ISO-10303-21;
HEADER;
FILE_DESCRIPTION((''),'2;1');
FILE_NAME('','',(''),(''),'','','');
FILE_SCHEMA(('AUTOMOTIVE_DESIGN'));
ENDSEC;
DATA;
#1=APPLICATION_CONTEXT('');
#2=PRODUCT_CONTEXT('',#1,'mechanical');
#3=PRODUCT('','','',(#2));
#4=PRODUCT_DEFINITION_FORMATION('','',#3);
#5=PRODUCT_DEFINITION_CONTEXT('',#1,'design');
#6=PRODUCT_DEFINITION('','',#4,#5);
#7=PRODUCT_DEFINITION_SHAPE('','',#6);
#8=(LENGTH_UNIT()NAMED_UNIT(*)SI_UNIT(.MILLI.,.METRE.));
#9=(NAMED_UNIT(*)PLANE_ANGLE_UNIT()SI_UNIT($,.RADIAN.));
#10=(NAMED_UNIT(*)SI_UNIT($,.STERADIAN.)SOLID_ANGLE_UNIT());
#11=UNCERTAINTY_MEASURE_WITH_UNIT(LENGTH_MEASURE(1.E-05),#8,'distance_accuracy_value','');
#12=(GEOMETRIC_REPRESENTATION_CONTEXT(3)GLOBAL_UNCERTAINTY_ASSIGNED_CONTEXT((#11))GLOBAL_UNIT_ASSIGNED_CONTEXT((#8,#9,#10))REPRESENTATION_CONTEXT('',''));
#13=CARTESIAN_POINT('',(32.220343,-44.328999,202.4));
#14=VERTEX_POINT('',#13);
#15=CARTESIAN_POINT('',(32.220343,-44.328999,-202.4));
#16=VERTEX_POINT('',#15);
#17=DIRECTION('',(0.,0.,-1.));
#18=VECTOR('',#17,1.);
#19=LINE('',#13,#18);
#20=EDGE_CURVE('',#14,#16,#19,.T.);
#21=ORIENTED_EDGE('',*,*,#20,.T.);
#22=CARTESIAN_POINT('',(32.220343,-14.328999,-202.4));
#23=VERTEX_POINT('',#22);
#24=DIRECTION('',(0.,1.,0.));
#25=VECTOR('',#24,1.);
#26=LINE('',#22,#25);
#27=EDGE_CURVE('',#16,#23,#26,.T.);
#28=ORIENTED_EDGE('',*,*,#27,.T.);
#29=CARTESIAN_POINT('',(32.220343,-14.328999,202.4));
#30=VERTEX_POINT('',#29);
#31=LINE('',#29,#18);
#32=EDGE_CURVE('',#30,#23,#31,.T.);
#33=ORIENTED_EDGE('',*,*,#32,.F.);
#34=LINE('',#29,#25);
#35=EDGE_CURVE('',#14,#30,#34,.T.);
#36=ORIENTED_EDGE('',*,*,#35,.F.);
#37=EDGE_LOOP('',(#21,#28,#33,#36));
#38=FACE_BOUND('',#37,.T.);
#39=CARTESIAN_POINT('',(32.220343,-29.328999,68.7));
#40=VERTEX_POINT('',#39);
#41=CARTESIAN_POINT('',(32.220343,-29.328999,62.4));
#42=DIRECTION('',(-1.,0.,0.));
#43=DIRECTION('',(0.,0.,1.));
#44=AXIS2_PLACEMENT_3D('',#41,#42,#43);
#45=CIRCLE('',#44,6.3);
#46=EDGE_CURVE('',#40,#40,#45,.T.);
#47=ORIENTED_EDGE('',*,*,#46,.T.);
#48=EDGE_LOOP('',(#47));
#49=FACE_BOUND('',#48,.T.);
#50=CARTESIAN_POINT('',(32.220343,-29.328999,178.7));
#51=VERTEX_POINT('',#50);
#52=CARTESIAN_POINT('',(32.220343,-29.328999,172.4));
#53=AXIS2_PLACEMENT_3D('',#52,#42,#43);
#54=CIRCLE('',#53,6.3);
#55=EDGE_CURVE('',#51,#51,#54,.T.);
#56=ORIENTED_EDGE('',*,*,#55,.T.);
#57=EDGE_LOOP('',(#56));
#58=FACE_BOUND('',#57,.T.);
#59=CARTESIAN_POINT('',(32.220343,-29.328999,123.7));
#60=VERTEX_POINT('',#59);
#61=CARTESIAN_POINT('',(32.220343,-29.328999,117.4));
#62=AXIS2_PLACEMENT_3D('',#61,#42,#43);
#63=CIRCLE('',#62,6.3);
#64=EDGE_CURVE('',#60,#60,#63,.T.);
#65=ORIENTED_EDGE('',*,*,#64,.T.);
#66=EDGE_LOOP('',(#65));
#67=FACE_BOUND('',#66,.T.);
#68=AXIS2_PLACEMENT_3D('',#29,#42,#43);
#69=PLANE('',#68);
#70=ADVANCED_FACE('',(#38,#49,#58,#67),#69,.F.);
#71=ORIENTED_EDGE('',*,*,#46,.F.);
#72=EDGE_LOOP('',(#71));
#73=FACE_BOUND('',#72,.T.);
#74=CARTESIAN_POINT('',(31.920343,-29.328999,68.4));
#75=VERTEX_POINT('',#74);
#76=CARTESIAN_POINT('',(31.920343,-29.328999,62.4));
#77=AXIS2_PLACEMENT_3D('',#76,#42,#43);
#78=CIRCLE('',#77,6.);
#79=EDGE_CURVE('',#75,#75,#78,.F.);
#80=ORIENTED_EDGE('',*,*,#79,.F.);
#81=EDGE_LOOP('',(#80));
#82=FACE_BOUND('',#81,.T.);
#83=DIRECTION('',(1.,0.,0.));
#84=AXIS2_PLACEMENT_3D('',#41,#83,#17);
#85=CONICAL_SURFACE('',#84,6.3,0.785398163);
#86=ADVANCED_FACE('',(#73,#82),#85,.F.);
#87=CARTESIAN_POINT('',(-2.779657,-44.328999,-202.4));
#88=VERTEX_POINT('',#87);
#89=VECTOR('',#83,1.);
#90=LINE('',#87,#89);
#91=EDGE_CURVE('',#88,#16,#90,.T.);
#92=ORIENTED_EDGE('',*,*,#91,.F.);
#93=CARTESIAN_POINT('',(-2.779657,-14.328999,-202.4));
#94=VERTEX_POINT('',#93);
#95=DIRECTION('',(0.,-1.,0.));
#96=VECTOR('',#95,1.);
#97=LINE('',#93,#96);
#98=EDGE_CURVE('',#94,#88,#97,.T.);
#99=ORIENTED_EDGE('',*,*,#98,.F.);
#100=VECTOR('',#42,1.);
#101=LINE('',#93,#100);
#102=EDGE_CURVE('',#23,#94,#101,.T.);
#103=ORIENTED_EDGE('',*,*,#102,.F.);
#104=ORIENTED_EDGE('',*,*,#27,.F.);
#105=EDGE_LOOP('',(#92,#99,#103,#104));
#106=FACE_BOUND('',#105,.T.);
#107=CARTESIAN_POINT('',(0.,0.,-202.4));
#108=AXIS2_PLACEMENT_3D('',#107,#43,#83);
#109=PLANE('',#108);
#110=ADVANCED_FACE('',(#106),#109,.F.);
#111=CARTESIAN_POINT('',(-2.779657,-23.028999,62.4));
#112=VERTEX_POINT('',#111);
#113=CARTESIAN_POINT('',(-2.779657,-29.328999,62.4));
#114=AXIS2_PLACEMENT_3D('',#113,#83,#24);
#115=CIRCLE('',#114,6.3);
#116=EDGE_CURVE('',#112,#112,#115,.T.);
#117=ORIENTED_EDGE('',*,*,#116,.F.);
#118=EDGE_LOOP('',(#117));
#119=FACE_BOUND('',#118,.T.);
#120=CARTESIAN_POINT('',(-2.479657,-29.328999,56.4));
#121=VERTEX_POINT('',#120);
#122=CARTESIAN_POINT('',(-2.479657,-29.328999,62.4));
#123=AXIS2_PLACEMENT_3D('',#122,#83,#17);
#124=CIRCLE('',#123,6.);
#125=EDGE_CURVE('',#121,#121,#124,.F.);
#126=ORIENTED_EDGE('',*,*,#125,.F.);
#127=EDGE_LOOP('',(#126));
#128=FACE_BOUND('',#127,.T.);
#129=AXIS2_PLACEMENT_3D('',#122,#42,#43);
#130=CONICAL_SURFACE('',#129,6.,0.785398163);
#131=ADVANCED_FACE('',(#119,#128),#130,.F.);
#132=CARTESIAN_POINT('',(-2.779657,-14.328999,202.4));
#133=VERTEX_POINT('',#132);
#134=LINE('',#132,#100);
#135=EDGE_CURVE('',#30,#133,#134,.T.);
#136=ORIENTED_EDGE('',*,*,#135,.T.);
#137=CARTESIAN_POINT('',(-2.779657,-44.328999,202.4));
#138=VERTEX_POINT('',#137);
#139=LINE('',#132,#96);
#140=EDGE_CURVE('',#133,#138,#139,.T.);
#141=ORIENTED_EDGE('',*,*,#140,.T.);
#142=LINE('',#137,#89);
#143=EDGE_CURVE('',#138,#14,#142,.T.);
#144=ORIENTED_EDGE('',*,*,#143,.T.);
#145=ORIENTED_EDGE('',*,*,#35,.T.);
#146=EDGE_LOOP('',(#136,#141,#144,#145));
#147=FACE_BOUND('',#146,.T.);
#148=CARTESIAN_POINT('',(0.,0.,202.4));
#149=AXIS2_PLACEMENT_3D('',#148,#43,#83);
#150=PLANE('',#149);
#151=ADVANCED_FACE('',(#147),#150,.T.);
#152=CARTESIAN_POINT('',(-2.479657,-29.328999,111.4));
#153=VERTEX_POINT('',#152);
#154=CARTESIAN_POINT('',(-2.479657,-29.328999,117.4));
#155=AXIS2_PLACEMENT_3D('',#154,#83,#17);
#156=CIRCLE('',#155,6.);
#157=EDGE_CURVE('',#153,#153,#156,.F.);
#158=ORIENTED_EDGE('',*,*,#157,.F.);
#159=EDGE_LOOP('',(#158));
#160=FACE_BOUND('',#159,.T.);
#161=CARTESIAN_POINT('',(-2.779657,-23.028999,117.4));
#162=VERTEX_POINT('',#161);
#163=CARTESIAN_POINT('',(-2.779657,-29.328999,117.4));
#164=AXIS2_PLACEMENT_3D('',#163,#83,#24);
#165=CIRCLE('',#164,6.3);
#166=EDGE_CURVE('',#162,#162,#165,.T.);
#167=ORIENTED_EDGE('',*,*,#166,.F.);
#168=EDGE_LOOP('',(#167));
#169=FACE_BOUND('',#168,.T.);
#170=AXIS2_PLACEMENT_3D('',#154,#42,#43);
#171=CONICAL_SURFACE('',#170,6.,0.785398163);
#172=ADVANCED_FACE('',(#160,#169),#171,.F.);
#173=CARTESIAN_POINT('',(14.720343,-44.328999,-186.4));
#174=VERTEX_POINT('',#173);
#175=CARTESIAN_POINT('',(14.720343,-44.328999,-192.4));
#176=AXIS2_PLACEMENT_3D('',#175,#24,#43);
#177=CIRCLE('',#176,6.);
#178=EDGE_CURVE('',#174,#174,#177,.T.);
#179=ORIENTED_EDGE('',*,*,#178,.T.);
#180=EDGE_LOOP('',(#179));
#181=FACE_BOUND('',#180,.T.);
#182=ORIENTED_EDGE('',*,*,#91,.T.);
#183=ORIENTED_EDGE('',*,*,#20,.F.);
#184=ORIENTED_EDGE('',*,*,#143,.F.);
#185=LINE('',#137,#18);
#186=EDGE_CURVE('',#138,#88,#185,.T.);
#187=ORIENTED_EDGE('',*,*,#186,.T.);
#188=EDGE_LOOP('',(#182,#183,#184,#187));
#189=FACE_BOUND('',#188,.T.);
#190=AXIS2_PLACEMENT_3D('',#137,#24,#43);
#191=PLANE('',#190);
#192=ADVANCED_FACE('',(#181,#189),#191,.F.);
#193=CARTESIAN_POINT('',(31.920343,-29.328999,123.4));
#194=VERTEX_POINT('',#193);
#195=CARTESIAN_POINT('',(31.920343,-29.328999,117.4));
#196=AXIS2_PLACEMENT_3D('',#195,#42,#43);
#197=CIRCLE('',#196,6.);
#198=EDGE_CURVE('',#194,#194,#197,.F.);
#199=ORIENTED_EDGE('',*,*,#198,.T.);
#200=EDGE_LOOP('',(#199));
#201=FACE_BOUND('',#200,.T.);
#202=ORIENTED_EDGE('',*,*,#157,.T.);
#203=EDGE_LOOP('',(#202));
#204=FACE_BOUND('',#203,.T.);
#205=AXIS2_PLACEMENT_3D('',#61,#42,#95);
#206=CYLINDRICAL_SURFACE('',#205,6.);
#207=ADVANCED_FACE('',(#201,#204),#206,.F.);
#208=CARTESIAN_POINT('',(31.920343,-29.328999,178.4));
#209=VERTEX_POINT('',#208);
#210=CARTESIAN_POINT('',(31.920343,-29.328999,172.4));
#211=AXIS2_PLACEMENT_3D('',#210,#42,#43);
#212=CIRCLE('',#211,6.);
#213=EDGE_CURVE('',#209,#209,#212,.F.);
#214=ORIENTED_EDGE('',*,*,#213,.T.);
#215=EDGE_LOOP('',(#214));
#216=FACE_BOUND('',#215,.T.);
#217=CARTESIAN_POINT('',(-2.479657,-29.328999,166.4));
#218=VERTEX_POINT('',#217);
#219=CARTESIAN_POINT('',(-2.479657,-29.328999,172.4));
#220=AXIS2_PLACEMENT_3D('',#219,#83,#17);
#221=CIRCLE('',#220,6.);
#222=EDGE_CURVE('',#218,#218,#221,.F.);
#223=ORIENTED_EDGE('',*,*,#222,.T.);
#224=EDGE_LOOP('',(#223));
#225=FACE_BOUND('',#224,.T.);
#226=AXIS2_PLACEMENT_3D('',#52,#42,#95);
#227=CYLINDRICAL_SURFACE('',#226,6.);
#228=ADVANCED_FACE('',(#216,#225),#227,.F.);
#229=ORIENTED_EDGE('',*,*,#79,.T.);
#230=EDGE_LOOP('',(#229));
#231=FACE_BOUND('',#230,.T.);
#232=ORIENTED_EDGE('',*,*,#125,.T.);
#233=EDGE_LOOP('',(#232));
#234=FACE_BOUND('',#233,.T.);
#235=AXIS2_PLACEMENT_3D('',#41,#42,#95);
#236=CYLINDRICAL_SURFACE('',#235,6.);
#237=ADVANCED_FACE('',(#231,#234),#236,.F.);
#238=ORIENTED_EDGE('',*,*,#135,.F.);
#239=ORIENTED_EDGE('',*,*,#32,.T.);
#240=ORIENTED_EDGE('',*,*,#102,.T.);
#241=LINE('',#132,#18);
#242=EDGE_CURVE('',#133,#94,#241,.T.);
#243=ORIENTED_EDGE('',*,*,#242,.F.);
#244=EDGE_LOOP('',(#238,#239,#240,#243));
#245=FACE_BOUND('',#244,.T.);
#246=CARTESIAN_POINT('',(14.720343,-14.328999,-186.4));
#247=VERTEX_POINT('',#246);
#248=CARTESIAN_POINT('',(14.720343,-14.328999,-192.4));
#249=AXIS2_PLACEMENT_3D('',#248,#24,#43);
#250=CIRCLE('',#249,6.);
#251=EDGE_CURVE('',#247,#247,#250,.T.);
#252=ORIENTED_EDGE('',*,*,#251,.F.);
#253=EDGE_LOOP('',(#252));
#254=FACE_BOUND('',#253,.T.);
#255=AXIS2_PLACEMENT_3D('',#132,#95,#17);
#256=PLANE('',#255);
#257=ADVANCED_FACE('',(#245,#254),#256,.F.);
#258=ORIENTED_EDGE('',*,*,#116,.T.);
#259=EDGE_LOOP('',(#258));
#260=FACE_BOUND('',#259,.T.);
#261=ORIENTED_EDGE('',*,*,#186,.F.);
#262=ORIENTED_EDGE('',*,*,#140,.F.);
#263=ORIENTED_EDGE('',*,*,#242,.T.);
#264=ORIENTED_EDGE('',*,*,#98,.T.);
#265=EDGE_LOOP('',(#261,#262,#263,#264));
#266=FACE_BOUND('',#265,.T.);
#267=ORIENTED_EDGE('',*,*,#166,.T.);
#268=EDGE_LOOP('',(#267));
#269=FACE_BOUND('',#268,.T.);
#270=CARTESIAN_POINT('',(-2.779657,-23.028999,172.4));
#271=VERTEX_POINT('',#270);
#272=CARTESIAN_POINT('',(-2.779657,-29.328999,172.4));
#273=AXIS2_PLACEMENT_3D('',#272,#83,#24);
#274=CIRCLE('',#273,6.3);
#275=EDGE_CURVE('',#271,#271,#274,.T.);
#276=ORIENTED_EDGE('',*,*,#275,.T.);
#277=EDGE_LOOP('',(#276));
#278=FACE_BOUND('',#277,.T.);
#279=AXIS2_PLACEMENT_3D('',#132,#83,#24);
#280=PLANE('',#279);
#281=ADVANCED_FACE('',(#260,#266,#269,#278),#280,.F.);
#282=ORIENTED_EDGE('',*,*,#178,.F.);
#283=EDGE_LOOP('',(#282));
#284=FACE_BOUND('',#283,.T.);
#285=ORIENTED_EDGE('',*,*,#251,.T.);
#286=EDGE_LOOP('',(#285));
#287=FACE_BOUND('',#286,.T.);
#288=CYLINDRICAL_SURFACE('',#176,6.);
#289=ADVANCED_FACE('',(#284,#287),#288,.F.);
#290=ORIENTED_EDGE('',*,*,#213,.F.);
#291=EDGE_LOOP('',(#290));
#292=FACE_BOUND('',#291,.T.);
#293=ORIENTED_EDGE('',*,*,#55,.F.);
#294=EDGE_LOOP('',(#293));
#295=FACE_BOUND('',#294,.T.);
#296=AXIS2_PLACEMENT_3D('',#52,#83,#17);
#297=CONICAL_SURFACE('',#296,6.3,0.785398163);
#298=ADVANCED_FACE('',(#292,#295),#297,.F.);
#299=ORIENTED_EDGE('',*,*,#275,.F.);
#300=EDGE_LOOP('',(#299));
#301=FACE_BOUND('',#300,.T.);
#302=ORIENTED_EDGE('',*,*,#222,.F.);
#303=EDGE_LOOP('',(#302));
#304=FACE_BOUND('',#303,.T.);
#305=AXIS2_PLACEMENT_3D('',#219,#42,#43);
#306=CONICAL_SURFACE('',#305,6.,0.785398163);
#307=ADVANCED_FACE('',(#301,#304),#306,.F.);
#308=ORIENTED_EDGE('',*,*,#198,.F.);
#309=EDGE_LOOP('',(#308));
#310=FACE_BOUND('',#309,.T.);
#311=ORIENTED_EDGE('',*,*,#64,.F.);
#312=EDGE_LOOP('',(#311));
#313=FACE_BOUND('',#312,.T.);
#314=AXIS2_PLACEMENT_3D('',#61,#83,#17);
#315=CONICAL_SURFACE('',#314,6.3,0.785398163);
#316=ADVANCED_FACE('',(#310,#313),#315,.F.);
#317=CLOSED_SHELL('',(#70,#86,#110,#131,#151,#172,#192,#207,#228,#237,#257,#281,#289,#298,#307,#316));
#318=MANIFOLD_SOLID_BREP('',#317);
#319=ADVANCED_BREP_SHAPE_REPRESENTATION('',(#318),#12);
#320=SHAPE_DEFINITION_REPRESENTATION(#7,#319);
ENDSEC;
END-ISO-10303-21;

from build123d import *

# Parameters (mm, degrees)
SKETCH1_W           = 35
SKETCH1_H           = 30
BOSS_EXTRUDE1_DEPTH = 202.4
SKETCH4_R           = 6
CUT_EXTRUDE1_DEPTH  = 211.132863092
SKETCH5_R           = 6
CUT_EXTRUDE2_DEPTH  = 208.132591643
CHAMFER1_SIZE       = 0.3


with BuildPart() as part:
    # Sketch1 → Boss-Extrude1 (new, symmetric)
    with BuildSketch(Plane.XY):
        with Locations((14.720343273, -29.328998989)):
            Rectangle(SKETCH1_W, SKETCH1_H)
    extrude(amount=BOSS_EXTRUDE1_DEPTH, both=True)

    # Sketch4 → Cut-Extrude1 (cut, through all)
    with BuildSketch(Plane.ZY.offset(2.779656727)):
        with Locations(Location((172.4, -29.328998989, 0), (0, 0, 270))):
            Circle(SKETCH4_R)
        with Locations(Location((62.4, -29.328998989, 0), (0, 0, 270))):
            Circle(SKETCH4_R)
        with Locations(Location((117.4, -29.328998989, 0), (0, 0, 270))):
            Circle(SKETCH4_R)
    extrude(amount=-CUT_EXTRUDE1_DEPTH, mode=Mode.SUBTRACT)

    # Sketch5 → Cut-Extrude2 (cut, through all)
    with BuildSketch(Plane(origin=(0, -14.328998989, 0), x_dir=(1, 0, 0), z_dir=(0, 1, 0))):
        with Locations(Location((14.720343273, 192.4, 0), (0, 0, 270))):
            Circle(SKETCH5_R)
    extrude(amount=-CUT_EXTRUDE2_DEPTH, mode=Mode.SUBTRACT)

    # Chamfer1
    chamfer1_edges = [part.edges().sort_by_distance(p)[0] for p in [
        (32.220343273, -23.328998989, 172.4),
        (-2.779656727, -23.328998989, 172.4),
        (32.220343273, -23.328998989, 62.4),
        (-2.779656727, -23.328998989, 62.4),
        (32.220343273, -23.328998989, 117.4),
        (-2.779656727, -23.328998989, 117.4),
    ]]
    chamfer(chamfer1_edges, length=CHAMFER1_SIZE)


solid = part.part
